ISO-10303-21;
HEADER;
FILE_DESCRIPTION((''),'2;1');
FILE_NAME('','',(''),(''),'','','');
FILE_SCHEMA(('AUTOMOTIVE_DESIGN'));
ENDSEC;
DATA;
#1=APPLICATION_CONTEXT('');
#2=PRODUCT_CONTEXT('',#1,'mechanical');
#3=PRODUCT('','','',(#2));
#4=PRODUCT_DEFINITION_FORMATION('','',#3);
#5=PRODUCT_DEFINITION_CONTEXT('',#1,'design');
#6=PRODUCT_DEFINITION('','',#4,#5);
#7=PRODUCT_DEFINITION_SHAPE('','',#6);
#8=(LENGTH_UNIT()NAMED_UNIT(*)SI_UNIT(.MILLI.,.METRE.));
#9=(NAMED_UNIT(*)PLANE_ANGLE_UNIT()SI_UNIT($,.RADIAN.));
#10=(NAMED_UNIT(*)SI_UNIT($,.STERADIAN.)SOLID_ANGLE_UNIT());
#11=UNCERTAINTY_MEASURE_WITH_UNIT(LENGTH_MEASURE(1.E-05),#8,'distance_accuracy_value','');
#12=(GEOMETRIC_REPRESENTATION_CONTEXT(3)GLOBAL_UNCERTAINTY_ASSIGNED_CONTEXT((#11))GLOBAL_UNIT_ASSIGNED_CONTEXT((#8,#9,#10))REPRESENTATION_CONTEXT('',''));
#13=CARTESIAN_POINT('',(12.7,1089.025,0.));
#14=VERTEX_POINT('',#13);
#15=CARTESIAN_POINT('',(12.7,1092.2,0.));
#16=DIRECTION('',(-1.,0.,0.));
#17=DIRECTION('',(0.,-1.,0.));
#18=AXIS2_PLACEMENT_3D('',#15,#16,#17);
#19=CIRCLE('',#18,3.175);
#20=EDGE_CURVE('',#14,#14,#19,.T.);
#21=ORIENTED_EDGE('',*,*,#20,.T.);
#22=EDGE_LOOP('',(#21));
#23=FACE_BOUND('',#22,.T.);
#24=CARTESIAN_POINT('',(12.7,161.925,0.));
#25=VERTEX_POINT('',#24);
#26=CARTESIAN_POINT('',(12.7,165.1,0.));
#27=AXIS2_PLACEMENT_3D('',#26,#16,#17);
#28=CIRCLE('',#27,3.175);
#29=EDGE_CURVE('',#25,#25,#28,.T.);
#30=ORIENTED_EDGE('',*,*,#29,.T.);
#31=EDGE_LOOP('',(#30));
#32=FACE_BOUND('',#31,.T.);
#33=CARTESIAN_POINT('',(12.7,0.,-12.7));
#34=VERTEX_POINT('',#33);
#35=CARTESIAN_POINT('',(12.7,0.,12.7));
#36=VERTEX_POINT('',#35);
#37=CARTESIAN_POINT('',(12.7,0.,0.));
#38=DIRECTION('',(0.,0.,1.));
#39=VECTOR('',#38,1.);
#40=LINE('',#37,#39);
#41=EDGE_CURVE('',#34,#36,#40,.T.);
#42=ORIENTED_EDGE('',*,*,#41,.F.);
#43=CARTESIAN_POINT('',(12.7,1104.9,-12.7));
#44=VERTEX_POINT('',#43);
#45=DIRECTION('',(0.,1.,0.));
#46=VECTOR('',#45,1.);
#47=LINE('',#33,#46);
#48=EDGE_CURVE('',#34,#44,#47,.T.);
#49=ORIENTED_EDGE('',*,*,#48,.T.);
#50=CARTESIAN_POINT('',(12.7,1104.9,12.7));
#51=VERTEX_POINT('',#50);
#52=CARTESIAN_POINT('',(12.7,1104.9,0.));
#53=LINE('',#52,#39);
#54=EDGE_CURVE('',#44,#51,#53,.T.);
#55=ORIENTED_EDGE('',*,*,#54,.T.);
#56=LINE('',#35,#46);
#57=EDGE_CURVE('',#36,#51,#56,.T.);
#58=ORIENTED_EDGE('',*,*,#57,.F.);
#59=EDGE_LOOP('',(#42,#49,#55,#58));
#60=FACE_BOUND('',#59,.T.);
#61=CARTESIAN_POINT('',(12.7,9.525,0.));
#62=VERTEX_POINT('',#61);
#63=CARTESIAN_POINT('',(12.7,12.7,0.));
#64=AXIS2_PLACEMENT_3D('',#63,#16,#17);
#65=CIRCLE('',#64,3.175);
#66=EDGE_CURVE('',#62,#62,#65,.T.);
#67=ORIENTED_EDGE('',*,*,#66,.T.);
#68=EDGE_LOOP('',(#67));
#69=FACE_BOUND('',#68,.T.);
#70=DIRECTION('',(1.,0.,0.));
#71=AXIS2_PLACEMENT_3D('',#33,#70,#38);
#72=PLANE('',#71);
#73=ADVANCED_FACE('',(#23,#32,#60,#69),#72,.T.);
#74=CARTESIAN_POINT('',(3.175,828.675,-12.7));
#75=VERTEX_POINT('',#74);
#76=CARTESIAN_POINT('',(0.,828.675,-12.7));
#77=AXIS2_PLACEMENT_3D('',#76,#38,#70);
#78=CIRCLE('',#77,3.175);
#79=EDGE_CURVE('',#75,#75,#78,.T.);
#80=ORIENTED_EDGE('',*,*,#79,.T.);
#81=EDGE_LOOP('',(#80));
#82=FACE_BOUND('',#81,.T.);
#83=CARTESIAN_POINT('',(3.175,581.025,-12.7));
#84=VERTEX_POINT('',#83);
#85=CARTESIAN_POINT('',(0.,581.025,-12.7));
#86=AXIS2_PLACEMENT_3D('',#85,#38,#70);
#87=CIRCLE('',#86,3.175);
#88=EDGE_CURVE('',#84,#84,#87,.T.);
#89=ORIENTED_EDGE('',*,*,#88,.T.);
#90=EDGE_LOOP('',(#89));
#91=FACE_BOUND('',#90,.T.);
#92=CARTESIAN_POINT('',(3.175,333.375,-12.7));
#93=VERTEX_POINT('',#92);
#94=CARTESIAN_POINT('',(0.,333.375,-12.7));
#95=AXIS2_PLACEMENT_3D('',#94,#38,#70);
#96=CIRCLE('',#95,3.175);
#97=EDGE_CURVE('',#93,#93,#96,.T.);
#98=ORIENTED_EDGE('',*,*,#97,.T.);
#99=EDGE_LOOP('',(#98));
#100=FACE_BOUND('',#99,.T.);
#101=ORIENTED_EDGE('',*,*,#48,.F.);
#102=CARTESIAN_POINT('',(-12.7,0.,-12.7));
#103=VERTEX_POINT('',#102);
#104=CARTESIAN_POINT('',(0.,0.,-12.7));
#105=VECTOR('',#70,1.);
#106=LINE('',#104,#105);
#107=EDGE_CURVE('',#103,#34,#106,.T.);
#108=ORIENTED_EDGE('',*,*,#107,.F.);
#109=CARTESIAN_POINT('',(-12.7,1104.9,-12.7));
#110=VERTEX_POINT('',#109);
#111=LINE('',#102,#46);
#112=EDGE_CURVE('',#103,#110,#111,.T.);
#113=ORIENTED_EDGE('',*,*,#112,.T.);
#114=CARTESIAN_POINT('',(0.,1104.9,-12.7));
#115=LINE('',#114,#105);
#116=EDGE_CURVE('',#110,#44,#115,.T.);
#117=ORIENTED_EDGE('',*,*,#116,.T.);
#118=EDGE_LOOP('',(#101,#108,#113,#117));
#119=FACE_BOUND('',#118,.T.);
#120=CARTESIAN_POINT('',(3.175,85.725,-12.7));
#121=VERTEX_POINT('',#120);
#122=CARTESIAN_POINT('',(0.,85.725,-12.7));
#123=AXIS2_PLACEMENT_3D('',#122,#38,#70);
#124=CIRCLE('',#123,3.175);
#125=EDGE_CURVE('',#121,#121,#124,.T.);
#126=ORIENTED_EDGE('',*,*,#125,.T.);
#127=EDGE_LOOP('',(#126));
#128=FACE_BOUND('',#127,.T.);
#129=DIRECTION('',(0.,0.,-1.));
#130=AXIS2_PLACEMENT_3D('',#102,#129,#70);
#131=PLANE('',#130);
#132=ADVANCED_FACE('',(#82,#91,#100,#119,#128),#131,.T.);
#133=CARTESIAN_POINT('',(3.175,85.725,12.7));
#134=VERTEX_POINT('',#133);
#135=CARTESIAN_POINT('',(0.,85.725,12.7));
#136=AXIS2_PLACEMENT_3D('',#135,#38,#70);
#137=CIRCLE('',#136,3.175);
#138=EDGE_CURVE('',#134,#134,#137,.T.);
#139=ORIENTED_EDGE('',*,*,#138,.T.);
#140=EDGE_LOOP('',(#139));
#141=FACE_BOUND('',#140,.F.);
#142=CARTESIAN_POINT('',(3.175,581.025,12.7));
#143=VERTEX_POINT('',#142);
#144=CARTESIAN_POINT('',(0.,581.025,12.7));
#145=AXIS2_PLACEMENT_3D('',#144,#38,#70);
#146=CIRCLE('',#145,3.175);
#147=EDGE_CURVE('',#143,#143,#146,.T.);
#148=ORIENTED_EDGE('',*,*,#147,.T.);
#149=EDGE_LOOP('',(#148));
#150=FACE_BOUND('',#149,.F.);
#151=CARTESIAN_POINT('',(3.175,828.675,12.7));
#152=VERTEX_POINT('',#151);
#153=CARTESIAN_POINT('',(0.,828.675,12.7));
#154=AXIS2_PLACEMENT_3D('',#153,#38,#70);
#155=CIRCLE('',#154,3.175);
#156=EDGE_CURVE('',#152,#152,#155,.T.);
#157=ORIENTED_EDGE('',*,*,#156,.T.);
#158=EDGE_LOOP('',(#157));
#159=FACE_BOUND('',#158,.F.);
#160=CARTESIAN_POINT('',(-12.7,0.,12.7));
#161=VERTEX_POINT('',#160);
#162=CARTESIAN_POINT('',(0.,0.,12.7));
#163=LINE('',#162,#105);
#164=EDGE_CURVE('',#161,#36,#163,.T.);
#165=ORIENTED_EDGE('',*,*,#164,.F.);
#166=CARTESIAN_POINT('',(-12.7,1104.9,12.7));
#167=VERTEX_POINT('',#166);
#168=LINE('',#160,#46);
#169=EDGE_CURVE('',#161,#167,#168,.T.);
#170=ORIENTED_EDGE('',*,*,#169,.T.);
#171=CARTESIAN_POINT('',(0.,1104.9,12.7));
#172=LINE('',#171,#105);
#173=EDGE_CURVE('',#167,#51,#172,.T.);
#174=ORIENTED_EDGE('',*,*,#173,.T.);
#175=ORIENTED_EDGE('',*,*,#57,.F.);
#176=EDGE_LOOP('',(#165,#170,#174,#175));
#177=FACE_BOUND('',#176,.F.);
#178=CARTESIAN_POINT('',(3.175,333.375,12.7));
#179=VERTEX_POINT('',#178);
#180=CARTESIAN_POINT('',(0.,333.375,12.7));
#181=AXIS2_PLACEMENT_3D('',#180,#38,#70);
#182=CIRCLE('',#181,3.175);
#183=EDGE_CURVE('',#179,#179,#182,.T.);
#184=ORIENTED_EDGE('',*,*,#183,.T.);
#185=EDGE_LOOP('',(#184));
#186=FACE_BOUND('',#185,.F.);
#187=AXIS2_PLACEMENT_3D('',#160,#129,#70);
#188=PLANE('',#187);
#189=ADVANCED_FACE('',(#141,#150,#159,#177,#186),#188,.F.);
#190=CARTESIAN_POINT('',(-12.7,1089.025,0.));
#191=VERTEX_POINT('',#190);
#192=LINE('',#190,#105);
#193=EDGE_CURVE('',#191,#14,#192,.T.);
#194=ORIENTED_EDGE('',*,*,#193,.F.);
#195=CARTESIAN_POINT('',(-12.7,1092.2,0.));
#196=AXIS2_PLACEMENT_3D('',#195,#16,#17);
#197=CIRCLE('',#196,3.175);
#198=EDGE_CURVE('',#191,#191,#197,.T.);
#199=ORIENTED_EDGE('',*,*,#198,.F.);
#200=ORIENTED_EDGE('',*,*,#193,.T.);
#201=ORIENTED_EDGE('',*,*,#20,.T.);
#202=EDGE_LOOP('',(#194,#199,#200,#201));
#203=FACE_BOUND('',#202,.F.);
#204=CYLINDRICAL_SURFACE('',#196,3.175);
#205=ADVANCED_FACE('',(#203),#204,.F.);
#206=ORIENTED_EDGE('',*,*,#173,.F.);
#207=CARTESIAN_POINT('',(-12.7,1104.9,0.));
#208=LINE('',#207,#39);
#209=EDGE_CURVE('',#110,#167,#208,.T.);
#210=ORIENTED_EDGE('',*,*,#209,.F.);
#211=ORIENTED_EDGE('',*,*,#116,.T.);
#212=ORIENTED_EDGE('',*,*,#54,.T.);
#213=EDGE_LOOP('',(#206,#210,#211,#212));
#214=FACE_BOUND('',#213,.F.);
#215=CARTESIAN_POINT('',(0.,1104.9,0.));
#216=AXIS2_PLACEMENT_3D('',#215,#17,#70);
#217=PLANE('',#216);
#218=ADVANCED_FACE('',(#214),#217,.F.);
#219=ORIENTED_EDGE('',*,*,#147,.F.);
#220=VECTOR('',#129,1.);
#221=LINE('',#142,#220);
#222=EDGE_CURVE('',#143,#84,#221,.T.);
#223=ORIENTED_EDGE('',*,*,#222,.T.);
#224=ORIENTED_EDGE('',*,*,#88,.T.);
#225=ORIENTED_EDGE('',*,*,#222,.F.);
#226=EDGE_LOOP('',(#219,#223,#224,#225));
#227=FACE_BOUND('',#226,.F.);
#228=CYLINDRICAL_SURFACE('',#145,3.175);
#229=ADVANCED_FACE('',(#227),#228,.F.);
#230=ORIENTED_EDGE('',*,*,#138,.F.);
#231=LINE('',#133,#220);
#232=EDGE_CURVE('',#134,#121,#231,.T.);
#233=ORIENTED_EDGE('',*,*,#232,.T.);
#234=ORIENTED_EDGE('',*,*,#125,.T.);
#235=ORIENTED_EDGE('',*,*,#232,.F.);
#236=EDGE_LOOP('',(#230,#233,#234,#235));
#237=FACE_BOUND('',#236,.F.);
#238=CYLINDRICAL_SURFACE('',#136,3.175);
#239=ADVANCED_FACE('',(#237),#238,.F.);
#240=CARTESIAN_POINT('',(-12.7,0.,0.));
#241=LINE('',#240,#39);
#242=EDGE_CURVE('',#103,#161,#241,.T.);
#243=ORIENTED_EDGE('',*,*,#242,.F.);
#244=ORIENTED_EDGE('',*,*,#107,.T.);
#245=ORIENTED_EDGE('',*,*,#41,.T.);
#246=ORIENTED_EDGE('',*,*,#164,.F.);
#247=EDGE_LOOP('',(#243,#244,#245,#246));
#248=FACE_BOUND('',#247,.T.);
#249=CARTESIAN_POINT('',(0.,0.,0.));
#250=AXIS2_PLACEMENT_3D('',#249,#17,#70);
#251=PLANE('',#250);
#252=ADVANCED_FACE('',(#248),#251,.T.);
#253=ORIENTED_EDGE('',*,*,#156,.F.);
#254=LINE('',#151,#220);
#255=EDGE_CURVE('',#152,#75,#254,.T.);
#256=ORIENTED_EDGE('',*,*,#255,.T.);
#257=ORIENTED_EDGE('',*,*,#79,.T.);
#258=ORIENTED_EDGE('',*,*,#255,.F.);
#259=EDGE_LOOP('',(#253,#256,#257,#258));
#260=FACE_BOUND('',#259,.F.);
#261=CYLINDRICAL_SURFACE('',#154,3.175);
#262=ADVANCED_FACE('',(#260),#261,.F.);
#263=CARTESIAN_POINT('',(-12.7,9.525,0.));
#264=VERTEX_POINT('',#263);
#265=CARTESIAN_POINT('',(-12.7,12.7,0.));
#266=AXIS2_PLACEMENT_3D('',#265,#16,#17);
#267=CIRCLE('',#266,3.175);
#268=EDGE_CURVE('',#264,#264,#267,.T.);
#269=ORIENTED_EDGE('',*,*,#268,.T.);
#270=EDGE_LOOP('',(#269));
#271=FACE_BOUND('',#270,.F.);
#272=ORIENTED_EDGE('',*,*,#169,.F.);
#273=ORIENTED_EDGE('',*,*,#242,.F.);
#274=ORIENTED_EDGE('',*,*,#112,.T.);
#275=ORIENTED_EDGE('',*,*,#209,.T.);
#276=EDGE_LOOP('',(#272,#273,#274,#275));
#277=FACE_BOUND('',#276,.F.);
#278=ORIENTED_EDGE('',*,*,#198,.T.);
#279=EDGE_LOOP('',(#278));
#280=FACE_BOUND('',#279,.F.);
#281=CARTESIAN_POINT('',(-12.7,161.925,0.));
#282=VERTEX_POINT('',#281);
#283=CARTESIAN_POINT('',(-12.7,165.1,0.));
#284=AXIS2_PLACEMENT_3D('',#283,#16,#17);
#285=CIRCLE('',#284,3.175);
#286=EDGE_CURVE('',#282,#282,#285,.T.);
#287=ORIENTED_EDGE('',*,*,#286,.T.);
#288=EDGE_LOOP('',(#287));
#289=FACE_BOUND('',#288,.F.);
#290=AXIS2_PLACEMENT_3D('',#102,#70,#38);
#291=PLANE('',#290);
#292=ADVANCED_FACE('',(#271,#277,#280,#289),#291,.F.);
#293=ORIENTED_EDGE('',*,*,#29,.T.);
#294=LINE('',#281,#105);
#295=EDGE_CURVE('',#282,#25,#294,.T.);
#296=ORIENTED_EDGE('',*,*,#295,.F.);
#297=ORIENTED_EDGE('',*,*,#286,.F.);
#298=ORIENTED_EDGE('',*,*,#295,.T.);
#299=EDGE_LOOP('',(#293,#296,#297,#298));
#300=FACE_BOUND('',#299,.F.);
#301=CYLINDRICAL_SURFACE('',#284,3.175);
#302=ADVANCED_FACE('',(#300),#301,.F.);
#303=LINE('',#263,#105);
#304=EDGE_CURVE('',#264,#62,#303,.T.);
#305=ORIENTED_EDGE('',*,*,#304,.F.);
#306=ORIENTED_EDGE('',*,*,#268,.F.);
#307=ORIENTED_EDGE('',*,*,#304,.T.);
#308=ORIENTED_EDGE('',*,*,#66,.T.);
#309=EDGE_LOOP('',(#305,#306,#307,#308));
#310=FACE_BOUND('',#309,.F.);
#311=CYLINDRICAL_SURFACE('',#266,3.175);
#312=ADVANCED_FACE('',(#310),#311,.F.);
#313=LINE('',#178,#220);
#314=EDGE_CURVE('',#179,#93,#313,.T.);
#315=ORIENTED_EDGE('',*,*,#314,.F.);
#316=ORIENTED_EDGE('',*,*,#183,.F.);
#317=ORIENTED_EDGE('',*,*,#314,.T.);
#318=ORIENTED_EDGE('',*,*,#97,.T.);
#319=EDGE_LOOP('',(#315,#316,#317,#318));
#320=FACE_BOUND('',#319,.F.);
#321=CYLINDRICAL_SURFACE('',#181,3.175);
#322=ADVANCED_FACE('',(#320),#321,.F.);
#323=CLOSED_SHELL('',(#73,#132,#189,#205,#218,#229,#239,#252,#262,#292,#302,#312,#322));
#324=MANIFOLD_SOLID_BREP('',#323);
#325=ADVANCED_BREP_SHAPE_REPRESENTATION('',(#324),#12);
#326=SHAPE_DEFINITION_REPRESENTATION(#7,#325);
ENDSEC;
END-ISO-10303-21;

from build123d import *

# Parameters (mm, degrees)
F0_W     = 25.4
F0_H     = 25.4
F1_DEPTH = 1104.9
F2_R     = 3.175
F3_DEPTH = 25.4
F4_R     = 3.175
F5_DEPTH = 25.4


with BuildPart() as f1:
    # F0 (on Front) → F1 (new body)
    with BuildSketch(Plane.XZ):
        Rectangle(F0_W, F0_H)
    extrude(amount=-F1_DEPTH)

    # F2 (on face) → F3 (cut, through all)
    with BuildSketch(Plane(origin=(-12.7, 0, 0), x_dir=(0, -1, 0), z_dir=(-1, 0, 0))):
        with Locations((-12.7, 0)):
            Circle(F2_R)
        with Locations((-165.1, 0)):
            Circle(F2_R)
        with Locations((-1092.2, 0)):
            Circle(F2_R)
    extrude(amount=-F3_DEPTH, mode=Mode.SUBTRACT)

    # F4 (on face) → F5 (cut, through all)
    with BuildSketch(Plane.XY.offset(12.7)):
        with Locations((0, 85.725)):
            Circle(F4_R)
        with Locations((0, 333.375)):
            Circle(F4_R)
        with Locations((0, 581.025)):
            Circle(F4_R)
        with Locations((0, 828.675)):
            Circle(F4_R)
    extrude(amount=-F5_DEPTH, mode=Mode.SUBTRACT)


solid = f1.part
